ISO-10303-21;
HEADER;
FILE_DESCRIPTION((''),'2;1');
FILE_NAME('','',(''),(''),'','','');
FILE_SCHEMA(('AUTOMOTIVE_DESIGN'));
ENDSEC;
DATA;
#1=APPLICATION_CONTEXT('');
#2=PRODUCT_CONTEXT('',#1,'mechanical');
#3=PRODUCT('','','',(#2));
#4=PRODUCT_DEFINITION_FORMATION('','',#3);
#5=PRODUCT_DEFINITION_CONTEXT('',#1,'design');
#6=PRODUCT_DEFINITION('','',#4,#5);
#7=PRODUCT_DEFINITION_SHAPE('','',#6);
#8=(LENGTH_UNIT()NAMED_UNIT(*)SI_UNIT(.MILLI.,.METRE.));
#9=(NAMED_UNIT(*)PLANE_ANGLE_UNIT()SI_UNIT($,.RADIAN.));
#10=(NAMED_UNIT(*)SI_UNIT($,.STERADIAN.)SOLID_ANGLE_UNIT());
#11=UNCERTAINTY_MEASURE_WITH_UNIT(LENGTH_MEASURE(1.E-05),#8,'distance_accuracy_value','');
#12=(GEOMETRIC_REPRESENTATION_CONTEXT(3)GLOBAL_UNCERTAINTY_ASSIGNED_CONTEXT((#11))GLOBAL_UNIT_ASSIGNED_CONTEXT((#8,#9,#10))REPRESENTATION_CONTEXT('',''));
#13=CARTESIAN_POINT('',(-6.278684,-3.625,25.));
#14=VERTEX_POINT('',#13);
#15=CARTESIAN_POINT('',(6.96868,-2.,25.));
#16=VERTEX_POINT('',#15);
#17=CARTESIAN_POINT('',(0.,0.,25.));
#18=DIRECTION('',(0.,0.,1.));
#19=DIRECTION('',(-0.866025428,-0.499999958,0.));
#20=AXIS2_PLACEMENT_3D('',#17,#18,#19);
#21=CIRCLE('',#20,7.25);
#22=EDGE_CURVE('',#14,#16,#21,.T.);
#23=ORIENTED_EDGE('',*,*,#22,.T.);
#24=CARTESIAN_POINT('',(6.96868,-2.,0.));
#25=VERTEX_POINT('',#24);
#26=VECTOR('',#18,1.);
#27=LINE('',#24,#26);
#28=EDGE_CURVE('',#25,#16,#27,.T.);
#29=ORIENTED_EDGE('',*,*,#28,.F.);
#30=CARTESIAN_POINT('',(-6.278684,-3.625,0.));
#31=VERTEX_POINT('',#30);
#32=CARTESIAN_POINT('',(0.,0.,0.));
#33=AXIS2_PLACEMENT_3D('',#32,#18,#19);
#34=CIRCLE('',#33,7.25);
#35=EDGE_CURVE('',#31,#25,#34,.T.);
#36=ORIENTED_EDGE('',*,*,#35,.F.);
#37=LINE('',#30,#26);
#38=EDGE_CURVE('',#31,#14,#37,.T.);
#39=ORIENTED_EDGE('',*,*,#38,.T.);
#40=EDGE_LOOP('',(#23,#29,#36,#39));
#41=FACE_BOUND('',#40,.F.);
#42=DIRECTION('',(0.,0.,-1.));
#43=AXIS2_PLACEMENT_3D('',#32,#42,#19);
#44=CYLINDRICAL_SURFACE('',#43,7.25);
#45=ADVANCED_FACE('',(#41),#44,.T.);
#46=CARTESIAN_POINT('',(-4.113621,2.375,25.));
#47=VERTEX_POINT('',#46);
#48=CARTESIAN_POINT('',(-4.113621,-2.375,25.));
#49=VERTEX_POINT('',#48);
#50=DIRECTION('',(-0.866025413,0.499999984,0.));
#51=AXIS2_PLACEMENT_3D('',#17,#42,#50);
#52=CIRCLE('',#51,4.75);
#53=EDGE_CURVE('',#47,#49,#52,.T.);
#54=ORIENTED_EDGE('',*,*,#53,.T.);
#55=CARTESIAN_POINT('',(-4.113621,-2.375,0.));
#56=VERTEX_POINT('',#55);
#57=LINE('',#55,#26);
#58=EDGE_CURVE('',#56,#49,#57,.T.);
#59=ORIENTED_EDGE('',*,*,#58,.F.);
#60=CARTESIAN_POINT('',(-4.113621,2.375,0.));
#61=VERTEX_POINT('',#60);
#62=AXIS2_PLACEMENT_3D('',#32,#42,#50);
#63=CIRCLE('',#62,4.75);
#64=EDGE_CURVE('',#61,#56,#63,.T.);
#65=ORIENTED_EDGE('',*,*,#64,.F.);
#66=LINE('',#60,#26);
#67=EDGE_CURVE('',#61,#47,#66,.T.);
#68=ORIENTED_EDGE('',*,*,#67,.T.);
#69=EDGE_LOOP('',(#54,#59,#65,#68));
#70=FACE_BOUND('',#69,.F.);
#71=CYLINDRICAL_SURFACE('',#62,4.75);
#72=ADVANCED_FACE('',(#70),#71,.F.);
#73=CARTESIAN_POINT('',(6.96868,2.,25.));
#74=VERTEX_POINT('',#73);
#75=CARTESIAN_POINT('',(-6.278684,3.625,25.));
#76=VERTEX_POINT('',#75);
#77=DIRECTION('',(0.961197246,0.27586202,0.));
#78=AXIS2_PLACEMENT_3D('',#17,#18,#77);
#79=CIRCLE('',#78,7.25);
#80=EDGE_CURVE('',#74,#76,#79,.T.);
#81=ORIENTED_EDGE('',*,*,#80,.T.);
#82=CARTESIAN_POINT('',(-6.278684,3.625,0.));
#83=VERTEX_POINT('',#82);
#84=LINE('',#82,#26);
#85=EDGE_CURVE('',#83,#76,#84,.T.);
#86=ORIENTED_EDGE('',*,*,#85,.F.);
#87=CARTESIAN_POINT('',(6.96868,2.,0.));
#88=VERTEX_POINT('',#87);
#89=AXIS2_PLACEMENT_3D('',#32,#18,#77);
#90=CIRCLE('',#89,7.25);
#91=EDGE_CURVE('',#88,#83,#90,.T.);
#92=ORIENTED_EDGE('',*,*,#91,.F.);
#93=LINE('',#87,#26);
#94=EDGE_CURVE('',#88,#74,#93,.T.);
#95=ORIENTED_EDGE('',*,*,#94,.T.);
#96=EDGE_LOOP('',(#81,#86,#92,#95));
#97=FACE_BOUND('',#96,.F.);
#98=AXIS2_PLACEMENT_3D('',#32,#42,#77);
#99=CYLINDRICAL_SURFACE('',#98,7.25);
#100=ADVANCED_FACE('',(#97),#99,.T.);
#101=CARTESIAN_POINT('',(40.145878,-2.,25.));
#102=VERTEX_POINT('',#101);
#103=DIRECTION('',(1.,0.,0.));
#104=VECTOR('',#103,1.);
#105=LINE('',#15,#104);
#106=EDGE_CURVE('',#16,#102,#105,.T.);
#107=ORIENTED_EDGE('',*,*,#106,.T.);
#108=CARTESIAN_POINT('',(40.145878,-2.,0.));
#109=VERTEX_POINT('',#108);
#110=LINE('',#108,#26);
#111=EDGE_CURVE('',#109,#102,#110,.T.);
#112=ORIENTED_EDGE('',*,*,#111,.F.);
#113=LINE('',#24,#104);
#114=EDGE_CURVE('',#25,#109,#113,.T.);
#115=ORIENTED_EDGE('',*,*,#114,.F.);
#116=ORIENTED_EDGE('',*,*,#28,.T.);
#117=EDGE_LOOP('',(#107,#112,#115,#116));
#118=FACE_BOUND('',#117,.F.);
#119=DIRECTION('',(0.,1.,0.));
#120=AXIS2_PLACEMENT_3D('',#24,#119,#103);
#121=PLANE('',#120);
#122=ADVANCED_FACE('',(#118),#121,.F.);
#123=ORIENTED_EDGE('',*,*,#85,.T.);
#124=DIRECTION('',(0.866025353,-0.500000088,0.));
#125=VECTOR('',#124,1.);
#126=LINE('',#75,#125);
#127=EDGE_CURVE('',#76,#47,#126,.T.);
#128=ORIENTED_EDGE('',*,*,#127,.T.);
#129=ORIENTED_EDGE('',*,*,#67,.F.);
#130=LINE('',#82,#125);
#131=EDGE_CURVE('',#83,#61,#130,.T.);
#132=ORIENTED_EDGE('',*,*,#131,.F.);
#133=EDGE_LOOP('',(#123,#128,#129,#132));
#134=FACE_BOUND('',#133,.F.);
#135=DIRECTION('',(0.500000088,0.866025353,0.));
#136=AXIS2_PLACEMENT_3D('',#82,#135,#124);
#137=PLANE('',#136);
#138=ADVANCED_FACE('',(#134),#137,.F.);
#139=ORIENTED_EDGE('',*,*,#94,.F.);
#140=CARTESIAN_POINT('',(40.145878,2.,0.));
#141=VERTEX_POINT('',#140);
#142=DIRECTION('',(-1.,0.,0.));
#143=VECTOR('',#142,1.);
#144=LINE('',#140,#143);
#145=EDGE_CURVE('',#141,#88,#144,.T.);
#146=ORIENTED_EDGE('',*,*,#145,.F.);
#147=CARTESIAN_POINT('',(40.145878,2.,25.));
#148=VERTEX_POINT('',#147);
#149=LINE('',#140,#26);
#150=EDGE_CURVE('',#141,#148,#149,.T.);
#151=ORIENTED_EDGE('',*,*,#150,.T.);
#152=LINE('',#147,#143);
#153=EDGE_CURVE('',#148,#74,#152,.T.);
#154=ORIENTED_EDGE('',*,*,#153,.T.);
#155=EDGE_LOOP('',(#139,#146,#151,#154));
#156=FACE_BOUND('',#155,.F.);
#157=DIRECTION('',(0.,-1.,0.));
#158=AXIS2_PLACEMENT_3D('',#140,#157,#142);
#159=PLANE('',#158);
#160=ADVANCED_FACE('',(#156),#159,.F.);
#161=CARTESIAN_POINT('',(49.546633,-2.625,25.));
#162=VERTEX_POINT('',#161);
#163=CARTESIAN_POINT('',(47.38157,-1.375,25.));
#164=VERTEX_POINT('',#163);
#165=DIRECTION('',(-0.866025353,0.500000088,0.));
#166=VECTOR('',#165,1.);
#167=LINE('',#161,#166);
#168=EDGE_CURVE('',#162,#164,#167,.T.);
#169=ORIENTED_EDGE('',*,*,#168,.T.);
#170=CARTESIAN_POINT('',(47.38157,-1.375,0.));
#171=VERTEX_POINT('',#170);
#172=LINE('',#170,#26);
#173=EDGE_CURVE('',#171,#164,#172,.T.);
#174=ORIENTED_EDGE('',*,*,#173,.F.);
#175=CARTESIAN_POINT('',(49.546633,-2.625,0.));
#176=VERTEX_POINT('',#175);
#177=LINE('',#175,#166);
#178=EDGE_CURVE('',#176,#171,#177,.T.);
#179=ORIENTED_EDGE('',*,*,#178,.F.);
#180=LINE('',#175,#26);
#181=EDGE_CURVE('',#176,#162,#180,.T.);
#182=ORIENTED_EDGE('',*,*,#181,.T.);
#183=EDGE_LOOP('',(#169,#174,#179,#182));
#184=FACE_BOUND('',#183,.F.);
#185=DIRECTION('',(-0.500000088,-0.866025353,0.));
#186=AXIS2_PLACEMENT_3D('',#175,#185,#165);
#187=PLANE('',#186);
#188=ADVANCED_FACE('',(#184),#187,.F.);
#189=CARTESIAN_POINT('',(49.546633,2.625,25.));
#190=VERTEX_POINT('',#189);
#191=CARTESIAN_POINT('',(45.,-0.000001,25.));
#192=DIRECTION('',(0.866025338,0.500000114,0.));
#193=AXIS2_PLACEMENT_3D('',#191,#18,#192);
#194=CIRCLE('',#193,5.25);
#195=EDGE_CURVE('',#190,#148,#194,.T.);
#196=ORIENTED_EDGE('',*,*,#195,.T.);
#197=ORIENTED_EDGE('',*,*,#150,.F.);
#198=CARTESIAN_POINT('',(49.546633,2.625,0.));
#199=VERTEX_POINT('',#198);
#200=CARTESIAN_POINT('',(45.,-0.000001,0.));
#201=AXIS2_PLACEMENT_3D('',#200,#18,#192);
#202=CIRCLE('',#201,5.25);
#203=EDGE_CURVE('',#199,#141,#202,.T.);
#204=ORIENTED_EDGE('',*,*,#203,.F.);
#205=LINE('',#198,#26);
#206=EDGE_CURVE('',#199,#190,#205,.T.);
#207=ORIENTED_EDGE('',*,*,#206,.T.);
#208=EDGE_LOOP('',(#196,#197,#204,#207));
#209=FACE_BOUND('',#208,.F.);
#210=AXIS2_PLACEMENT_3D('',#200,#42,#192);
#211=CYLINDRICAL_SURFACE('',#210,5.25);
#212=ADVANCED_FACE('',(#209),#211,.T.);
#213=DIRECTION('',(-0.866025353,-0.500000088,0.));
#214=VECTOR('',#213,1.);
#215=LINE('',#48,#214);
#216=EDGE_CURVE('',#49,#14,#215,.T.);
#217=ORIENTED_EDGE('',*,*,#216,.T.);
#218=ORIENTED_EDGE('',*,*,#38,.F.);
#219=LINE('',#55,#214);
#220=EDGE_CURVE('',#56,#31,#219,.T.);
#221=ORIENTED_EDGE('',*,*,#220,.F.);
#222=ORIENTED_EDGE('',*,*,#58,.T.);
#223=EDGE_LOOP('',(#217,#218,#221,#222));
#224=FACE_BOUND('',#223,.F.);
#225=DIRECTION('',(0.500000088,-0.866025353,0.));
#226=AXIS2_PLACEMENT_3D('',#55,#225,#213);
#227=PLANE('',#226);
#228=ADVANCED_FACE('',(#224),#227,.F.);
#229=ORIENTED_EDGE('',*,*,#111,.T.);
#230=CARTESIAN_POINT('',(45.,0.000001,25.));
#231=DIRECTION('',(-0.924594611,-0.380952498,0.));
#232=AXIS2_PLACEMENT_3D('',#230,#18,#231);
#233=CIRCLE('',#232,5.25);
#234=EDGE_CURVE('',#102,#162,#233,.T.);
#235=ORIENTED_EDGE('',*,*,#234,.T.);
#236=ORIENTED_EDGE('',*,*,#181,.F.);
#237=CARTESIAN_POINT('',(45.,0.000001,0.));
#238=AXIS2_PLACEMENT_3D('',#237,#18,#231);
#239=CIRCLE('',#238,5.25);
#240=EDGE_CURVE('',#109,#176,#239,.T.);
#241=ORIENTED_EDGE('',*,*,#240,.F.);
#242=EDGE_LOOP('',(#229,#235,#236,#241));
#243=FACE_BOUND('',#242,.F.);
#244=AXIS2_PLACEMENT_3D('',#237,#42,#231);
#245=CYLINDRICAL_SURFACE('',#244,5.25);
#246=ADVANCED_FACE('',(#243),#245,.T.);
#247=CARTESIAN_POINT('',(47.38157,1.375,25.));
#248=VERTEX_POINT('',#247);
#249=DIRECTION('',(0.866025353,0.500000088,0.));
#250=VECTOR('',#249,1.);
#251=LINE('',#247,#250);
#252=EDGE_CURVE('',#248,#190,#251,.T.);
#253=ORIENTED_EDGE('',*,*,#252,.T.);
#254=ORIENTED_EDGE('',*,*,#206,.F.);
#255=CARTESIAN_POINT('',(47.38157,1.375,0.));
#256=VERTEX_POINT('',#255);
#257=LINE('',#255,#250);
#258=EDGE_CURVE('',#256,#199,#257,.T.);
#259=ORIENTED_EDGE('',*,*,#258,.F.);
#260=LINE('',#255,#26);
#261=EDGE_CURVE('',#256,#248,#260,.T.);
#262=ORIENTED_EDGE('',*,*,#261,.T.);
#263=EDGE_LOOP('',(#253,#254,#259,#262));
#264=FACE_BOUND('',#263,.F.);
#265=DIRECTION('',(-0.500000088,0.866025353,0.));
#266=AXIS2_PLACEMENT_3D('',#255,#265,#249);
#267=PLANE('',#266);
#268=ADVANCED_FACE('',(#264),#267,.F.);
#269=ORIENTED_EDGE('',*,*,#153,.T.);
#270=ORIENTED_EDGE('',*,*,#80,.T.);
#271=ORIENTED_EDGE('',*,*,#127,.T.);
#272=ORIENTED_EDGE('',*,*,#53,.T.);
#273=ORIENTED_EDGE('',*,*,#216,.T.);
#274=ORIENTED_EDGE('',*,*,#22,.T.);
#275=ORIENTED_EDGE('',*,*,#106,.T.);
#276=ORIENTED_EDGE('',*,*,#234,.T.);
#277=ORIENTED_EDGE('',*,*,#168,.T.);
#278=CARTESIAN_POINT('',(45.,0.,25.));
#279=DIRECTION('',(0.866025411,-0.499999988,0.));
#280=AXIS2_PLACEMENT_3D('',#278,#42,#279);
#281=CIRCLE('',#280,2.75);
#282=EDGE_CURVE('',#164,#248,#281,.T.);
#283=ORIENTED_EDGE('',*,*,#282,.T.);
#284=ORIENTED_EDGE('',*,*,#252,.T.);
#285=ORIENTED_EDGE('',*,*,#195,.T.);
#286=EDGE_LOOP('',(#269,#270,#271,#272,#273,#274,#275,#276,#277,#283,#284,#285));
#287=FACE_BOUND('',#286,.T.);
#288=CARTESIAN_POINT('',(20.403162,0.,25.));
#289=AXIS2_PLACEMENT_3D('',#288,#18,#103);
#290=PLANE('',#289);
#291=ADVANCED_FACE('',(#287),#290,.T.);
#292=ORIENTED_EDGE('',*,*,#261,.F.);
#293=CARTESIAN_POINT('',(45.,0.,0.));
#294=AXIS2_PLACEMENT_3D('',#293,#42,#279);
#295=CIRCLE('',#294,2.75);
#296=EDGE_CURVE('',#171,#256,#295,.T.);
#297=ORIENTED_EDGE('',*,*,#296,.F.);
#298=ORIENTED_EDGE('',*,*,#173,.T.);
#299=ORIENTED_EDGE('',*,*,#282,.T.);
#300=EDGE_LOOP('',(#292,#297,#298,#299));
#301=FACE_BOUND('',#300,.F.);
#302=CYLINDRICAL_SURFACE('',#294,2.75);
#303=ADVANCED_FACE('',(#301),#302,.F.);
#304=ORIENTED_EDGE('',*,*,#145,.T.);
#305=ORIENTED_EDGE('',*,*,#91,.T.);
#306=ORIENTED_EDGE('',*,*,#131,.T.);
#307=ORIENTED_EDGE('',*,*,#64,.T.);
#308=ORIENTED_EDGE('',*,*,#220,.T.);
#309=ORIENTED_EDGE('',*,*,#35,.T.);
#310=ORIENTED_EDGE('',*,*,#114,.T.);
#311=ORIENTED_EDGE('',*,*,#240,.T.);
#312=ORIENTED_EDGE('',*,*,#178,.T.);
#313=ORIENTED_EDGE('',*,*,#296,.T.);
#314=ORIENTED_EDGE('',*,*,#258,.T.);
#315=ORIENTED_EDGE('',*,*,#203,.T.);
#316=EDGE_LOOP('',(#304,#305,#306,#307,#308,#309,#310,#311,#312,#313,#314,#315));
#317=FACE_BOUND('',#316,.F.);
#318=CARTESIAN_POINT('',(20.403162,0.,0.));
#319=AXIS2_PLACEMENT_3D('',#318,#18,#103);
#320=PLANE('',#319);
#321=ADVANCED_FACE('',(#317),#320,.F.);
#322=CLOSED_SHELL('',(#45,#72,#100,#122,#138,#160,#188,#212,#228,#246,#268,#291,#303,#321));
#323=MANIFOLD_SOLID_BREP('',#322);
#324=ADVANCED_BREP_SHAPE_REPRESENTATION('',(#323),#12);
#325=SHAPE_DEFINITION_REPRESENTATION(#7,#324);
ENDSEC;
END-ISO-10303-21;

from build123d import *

# Parameters (mm, degrees)
F1_DEPTH = 25


with BuildPart() as f1:
    # F0 (on Top) → F1 (new body)
    with BuildSketch(Plane.XY):
        with BuildLine():
            ThreePointArc((-4.113621, 2.375), (4.75, 0), (-4.113621, -2.375))
            Line((-4.113621, -2.375), (-6.278684, -3.625))
            ThreePointArc((-6.278684, -3.625), (0.882712, -7.196063), (6.96868, -2))
            Line((6.96868, -2), (40.145878, -2))
            ThreePointArc((40.145878, -2), (44.651728, -5.238435), (49.546633, -2.625))
            Line((49.546633, -2.625), (47.38157, -1.375))
            ThreePointArc((47.38157, -1.375), (42.25, 0), (47.38157, 1.375))
            Line((47.38157, 1.375), (49.546633, 2.625))
            ThreePointArc((49.546633, 2.625), (44.651728, 5.238435), (40.145878, 2))
            Line((40.145878, 2), (6.96868, 2))
            ThreePointArc((6.96868, 2), (0.882712, 7.196063), (-6.278684, 3.625))
            Line((-6.278684, 3.625), (-4.113621, 2.375))
        make_face()
    extrude(amount=F1_DEPTH)


solid = f1.part
